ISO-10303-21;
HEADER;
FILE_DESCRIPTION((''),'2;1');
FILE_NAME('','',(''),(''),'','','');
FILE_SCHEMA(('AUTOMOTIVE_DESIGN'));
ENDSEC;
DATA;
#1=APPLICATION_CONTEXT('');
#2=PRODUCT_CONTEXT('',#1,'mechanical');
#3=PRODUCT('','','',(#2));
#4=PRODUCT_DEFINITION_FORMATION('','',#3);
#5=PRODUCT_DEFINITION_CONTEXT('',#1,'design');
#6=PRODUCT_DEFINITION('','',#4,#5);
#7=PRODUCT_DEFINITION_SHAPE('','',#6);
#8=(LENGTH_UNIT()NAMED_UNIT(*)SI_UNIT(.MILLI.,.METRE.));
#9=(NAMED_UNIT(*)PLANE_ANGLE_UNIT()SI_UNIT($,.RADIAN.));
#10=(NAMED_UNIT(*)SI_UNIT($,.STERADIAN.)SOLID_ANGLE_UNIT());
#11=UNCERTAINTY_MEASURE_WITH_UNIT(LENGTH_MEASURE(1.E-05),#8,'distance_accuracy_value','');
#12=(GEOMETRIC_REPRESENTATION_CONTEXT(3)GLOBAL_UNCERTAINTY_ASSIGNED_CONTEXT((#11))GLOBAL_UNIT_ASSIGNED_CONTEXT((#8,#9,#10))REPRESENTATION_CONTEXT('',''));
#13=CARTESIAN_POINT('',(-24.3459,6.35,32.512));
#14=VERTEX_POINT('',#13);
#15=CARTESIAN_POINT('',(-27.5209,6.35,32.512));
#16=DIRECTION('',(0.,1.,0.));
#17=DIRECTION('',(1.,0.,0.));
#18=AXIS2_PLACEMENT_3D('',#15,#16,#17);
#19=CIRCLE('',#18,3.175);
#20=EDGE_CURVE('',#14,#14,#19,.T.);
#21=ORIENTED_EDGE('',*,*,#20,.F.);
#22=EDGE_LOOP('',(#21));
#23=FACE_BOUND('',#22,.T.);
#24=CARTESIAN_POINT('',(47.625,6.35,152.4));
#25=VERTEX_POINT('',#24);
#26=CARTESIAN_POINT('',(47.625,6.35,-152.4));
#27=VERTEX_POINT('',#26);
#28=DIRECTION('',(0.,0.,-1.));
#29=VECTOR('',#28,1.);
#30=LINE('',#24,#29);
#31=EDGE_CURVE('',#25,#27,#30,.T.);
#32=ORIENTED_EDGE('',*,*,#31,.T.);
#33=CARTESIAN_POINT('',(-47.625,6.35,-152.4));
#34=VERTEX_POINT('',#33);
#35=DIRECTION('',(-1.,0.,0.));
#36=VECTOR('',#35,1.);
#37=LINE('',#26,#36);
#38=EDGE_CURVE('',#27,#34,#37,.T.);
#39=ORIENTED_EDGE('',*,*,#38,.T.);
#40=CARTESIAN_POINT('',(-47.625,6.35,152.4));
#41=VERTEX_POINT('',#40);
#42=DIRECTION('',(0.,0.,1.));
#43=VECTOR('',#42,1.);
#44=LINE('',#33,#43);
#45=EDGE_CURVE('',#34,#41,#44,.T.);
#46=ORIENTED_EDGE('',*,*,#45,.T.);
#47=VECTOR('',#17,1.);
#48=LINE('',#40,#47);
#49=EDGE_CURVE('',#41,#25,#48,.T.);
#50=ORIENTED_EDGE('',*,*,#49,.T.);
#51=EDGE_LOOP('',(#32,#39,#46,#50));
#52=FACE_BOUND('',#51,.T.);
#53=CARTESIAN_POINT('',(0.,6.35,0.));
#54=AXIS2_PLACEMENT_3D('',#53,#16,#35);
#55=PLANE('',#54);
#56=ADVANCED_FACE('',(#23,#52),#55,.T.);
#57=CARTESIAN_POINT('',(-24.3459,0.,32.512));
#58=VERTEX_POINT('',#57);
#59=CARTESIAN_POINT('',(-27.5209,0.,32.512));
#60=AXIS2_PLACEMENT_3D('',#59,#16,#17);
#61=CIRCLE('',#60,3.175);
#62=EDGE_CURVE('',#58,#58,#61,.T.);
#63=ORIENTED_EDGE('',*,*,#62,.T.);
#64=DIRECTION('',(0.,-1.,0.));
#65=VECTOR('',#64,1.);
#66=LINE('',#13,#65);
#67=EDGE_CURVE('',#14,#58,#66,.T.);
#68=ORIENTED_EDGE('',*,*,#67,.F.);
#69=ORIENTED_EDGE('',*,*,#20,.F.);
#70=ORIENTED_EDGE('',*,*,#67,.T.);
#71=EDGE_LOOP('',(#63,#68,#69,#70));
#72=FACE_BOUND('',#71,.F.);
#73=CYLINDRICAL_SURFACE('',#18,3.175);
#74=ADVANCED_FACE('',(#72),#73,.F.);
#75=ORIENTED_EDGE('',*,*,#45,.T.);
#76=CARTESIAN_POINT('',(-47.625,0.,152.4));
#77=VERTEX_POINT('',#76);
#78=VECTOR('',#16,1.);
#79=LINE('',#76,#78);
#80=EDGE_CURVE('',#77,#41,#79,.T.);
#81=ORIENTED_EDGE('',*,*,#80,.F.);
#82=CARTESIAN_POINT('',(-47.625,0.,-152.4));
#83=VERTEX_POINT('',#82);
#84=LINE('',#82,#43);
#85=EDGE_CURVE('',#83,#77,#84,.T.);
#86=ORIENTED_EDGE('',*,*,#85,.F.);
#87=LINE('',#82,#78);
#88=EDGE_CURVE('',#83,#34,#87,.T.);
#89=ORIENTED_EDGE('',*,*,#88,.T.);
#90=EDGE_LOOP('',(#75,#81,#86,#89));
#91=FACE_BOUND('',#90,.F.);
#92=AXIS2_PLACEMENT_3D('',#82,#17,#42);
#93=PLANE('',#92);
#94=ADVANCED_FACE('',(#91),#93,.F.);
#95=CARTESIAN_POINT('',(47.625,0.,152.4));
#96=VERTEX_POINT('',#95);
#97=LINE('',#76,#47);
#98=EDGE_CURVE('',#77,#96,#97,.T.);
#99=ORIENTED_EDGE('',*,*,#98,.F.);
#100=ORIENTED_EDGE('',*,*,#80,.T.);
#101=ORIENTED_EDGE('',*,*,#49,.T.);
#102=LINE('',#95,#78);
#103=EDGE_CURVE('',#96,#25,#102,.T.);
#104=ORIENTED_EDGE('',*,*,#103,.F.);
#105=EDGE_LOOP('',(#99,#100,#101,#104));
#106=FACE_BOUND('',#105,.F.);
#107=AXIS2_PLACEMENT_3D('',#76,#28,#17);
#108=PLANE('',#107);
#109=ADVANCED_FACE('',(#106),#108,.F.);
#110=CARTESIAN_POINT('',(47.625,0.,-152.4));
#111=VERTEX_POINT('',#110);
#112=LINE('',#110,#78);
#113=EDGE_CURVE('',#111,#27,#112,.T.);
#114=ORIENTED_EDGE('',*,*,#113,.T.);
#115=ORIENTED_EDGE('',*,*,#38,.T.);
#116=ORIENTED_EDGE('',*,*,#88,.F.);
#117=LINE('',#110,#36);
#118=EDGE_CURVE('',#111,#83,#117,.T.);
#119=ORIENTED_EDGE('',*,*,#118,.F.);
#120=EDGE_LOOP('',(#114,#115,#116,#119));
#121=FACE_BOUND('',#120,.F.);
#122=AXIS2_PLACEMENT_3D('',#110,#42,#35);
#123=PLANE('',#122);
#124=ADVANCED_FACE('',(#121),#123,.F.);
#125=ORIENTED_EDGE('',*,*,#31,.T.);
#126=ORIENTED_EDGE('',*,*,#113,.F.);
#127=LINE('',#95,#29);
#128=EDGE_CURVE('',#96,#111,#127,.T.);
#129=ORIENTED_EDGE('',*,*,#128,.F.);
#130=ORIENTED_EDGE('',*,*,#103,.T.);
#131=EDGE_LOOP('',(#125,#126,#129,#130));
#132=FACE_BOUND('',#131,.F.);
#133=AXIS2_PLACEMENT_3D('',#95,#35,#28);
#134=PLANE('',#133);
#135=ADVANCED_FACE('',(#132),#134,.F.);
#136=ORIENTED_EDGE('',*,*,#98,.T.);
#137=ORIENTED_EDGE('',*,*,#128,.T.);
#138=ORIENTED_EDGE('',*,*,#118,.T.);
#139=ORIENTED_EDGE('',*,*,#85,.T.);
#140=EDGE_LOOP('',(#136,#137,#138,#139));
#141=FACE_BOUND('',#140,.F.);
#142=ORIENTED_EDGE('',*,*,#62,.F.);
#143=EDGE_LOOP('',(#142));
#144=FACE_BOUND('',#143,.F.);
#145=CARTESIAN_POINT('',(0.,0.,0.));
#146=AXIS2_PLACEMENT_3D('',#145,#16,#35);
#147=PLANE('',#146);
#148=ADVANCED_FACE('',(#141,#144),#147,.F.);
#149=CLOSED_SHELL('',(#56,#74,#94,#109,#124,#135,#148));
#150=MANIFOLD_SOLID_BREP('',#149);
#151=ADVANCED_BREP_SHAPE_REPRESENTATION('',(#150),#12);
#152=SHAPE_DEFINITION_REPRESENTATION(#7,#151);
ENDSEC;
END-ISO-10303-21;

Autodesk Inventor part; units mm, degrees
ref_plane "YZ Plane" through (0, 0, 0) normal (1, 0, 0) x (0, 1, 0)
ref_plane "XZ Plane" through (0, 0, 0) normal (0, 1, 0) x (-1, 0, 0)
ref_plane "XY Plane" through (0, 0, 0) normal (0, 0, 1) x (1, 0, 0)
sketch "Sketch1" plane through (0, 0, 0) normal (0, 1, 0) x (-1, 0, 0)
  line L0 (-47.625, 152.4) -> (-47.625, -152.4)
  line L1 (-47.625, -152.4) -> (47.625, -152.4)
  line L2 (47.625, -152.4) -> (47.625, 152.4)
  line L3 (47.625, 152.4) -> (-47.625, 152.4)
  line L4 (-47.625, 152.4) -> (47.625, -152.4) construction
  line L5 (-47.625, -152.4) -> (47.625, 152.4) construction
  point P0 (0, 0)
  dimension "d0" = 304.8
  dimension "d1" = 95.25
extrude "Extrusion1" add sketch "Sketch1" along normal blind 6.35
sketch "Sketch3" plane through (0, 6.35, 0) normal (0, 1, 0) x (1, 0, 0)
  line L0 (-47.5869, -32.512) -> (47.625, -32.512) construction
  line L1 (47.625, -152.4) -> (47.625, 152.4) construction
  line L2 (-27.5209, 152.4) -> (-27.5209, -152.4) construction
  line L3 (47.625, 152.4) -> (-47.625, 152.4) projected
  circle A0 centre (-27.5209, -32.512) radius 3.175
  point P0 (0, 0)
  dimension "d9" = 27.5209
  dimension "d10" = 184.912
  dimension "d11" = 6.35
extrude "Extrusion3" cut sketch "Sketch3" against normal through all
properties part number "baseForWormMotor"
